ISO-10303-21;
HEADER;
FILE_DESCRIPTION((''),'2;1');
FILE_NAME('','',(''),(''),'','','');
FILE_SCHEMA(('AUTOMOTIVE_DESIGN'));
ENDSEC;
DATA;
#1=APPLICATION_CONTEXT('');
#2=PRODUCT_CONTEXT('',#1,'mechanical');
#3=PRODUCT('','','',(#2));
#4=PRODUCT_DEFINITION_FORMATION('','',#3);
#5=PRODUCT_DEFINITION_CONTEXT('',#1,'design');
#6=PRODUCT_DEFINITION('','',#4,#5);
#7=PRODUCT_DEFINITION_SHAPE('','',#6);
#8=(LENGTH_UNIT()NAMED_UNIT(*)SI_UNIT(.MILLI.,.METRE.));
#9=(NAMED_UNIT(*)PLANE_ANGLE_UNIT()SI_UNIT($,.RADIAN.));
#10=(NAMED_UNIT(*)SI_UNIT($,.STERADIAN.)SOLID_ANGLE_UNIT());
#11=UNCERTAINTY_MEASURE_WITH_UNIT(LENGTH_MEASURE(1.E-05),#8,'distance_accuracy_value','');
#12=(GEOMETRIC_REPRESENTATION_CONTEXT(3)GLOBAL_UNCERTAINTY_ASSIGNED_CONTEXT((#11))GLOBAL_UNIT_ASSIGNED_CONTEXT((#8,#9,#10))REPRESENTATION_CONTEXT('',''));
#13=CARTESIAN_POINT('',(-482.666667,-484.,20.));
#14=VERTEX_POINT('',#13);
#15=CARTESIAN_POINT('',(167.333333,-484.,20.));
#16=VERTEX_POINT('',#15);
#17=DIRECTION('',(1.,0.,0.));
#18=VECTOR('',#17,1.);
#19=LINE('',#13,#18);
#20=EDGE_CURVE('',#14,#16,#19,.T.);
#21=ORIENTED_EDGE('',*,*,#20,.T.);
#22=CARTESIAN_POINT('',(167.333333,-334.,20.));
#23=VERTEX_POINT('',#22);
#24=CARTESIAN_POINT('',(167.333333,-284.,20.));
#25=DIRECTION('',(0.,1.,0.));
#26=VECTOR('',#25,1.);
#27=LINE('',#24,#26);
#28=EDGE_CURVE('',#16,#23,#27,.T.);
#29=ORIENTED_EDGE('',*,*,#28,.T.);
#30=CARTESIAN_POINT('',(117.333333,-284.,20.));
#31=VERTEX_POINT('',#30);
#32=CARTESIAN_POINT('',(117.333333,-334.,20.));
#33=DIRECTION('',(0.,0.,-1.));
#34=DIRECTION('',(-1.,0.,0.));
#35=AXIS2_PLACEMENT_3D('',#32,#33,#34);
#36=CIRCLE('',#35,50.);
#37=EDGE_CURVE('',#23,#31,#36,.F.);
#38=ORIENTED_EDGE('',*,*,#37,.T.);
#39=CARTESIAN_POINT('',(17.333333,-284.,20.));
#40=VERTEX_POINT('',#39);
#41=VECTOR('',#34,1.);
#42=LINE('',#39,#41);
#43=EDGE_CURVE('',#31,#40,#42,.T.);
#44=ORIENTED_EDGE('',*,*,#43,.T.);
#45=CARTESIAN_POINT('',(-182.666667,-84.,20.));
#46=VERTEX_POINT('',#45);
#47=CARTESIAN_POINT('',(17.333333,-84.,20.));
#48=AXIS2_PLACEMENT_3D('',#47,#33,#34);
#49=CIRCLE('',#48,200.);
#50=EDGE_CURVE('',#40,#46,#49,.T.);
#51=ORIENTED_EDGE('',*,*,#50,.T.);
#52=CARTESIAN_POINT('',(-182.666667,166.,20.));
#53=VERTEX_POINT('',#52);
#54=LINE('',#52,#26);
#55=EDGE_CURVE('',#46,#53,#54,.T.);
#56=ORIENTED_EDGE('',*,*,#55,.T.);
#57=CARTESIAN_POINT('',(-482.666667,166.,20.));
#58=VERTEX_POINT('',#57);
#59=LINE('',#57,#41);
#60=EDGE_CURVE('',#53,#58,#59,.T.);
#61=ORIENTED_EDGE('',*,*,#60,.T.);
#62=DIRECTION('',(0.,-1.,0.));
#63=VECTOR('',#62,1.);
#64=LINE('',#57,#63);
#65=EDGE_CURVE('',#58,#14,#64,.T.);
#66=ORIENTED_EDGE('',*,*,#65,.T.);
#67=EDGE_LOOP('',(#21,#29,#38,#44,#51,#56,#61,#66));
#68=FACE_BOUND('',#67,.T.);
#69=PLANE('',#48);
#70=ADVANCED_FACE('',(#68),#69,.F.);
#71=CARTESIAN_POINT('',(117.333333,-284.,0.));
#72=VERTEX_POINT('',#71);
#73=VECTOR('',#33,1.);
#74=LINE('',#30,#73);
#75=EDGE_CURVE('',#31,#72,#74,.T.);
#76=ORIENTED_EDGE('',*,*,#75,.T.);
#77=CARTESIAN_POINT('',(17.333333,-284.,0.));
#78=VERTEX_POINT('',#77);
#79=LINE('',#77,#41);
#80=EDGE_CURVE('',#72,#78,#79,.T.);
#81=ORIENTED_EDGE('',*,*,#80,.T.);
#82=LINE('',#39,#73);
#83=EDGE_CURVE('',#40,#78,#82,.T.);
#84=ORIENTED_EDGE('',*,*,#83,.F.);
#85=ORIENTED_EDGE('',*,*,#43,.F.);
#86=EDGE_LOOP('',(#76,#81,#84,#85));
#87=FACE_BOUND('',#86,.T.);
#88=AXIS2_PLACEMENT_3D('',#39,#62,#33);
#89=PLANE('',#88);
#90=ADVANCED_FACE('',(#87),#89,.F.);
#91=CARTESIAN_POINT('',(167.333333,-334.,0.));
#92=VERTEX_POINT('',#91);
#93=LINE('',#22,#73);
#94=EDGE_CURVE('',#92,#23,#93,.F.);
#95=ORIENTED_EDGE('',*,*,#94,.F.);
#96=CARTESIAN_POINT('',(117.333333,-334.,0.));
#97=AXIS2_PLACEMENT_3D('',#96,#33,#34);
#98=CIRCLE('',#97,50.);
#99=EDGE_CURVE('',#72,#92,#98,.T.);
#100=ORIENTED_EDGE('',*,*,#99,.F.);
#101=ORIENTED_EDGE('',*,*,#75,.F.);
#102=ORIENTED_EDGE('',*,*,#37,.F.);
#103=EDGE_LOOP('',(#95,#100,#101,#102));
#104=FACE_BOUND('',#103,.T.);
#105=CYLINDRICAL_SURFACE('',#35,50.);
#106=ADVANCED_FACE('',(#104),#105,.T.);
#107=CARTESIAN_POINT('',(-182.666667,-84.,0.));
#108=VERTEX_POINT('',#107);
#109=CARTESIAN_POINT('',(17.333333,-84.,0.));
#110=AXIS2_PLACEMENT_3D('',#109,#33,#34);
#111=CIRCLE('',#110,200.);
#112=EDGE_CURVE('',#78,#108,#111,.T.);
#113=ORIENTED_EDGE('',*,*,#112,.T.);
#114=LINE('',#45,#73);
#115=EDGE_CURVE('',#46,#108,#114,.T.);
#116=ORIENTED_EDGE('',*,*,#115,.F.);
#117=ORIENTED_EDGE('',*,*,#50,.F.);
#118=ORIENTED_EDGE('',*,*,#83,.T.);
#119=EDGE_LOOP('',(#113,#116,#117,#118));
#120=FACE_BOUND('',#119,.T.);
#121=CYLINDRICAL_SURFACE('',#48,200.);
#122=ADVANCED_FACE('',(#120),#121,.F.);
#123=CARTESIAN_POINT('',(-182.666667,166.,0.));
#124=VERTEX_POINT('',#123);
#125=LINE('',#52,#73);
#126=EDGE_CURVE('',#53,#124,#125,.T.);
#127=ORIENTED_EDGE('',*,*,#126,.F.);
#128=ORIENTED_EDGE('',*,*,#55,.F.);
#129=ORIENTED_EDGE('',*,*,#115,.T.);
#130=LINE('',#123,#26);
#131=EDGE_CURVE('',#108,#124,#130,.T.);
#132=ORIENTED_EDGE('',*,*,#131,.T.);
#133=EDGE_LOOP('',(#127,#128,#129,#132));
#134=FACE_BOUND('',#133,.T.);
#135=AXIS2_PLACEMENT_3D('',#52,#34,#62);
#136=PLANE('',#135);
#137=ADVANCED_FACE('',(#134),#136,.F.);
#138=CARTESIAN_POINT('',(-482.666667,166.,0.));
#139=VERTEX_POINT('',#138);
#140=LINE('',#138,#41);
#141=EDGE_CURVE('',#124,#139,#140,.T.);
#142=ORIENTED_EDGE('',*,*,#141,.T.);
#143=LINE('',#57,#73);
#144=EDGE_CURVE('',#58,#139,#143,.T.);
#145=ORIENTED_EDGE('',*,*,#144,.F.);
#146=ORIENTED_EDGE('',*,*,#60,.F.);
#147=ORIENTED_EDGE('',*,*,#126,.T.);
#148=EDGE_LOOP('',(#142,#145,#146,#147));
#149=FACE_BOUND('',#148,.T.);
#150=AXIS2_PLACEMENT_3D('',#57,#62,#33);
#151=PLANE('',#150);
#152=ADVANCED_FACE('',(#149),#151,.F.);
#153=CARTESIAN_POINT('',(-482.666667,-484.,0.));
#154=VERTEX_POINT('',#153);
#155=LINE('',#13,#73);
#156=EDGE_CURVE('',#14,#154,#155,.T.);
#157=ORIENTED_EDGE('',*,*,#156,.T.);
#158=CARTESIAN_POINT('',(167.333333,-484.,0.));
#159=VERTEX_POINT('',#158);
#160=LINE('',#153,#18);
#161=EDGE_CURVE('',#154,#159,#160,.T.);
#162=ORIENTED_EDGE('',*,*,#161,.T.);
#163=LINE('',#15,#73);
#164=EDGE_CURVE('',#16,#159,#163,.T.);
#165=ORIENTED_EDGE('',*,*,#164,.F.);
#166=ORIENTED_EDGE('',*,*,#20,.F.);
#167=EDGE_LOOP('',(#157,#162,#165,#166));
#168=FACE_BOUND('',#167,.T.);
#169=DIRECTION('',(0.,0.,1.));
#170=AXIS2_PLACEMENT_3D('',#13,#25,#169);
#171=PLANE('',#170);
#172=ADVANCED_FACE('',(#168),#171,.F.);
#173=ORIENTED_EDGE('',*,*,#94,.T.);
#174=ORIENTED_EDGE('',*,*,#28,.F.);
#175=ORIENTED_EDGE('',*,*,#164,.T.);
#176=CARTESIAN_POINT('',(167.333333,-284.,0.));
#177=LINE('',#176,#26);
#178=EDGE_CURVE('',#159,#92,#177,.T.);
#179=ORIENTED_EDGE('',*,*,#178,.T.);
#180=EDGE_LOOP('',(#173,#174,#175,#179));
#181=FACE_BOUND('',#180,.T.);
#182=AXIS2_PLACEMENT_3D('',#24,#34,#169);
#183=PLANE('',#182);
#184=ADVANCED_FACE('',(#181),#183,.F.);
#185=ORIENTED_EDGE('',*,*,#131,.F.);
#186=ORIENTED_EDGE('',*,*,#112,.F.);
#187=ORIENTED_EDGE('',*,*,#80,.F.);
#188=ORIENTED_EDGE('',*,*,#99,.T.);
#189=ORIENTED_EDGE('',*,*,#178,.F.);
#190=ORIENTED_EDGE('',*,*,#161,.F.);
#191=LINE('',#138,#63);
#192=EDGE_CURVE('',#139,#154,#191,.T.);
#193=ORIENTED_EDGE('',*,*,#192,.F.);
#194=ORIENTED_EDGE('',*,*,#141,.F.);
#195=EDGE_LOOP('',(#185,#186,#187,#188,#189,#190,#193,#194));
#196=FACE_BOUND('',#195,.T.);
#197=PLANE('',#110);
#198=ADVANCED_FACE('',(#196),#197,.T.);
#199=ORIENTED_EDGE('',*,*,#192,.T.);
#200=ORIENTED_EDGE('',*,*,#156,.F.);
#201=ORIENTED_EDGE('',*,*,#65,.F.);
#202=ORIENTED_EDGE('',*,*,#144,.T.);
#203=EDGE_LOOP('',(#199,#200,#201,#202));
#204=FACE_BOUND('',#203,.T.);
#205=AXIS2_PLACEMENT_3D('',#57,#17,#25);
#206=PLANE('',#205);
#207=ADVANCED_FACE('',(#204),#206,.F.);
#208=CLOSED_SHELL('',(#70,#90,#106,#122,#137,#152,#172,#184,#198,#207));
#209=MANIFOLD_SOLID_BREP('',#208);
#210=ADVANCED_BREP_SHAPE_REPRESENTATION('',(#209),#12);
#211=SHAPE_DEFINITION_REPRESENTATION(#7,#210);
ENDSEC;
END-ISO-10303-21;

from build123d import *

# Parameters (mm, degrees)
BOSS_EXTRUDE1_DEPTH = 20
FILLET1_R           = 50


with BuildPart() as part:
    # Sketch1 → Boss-Extrude1 (new body)
    with BuildSketch(Plane.XY):
        with BuildLine():
            Line((-482.666666667, 166), (-182.666666667, 166))
            Line((-182.666666667, 166), (-182.666666667, -84))
            ThreePointArc((-182.666666667, -84), (-124.088022904, -225.421356237), (17.333333333, -284))
            Line((17.333333333, -284), (167.333333333, -284))
            Line((167.333333333, -284), (167.333333333, -484))
            Line((167.333333333, -484), (-482.666666667, -484))
            Line((-482.666666667, -484), (-482.666666667, 166))
        make_face()
    extrude(amount=BOSS_EXTRUDE1_DEPTH)

    # Fillet1
    fillet1_edges = [part.edges().sort_by_distance(p)[0] for p in [
        (167.333333333, -284, 10),
    ]]
    fillet(fillet1_edges, radius=FILLET1_R)


solid = part.part
